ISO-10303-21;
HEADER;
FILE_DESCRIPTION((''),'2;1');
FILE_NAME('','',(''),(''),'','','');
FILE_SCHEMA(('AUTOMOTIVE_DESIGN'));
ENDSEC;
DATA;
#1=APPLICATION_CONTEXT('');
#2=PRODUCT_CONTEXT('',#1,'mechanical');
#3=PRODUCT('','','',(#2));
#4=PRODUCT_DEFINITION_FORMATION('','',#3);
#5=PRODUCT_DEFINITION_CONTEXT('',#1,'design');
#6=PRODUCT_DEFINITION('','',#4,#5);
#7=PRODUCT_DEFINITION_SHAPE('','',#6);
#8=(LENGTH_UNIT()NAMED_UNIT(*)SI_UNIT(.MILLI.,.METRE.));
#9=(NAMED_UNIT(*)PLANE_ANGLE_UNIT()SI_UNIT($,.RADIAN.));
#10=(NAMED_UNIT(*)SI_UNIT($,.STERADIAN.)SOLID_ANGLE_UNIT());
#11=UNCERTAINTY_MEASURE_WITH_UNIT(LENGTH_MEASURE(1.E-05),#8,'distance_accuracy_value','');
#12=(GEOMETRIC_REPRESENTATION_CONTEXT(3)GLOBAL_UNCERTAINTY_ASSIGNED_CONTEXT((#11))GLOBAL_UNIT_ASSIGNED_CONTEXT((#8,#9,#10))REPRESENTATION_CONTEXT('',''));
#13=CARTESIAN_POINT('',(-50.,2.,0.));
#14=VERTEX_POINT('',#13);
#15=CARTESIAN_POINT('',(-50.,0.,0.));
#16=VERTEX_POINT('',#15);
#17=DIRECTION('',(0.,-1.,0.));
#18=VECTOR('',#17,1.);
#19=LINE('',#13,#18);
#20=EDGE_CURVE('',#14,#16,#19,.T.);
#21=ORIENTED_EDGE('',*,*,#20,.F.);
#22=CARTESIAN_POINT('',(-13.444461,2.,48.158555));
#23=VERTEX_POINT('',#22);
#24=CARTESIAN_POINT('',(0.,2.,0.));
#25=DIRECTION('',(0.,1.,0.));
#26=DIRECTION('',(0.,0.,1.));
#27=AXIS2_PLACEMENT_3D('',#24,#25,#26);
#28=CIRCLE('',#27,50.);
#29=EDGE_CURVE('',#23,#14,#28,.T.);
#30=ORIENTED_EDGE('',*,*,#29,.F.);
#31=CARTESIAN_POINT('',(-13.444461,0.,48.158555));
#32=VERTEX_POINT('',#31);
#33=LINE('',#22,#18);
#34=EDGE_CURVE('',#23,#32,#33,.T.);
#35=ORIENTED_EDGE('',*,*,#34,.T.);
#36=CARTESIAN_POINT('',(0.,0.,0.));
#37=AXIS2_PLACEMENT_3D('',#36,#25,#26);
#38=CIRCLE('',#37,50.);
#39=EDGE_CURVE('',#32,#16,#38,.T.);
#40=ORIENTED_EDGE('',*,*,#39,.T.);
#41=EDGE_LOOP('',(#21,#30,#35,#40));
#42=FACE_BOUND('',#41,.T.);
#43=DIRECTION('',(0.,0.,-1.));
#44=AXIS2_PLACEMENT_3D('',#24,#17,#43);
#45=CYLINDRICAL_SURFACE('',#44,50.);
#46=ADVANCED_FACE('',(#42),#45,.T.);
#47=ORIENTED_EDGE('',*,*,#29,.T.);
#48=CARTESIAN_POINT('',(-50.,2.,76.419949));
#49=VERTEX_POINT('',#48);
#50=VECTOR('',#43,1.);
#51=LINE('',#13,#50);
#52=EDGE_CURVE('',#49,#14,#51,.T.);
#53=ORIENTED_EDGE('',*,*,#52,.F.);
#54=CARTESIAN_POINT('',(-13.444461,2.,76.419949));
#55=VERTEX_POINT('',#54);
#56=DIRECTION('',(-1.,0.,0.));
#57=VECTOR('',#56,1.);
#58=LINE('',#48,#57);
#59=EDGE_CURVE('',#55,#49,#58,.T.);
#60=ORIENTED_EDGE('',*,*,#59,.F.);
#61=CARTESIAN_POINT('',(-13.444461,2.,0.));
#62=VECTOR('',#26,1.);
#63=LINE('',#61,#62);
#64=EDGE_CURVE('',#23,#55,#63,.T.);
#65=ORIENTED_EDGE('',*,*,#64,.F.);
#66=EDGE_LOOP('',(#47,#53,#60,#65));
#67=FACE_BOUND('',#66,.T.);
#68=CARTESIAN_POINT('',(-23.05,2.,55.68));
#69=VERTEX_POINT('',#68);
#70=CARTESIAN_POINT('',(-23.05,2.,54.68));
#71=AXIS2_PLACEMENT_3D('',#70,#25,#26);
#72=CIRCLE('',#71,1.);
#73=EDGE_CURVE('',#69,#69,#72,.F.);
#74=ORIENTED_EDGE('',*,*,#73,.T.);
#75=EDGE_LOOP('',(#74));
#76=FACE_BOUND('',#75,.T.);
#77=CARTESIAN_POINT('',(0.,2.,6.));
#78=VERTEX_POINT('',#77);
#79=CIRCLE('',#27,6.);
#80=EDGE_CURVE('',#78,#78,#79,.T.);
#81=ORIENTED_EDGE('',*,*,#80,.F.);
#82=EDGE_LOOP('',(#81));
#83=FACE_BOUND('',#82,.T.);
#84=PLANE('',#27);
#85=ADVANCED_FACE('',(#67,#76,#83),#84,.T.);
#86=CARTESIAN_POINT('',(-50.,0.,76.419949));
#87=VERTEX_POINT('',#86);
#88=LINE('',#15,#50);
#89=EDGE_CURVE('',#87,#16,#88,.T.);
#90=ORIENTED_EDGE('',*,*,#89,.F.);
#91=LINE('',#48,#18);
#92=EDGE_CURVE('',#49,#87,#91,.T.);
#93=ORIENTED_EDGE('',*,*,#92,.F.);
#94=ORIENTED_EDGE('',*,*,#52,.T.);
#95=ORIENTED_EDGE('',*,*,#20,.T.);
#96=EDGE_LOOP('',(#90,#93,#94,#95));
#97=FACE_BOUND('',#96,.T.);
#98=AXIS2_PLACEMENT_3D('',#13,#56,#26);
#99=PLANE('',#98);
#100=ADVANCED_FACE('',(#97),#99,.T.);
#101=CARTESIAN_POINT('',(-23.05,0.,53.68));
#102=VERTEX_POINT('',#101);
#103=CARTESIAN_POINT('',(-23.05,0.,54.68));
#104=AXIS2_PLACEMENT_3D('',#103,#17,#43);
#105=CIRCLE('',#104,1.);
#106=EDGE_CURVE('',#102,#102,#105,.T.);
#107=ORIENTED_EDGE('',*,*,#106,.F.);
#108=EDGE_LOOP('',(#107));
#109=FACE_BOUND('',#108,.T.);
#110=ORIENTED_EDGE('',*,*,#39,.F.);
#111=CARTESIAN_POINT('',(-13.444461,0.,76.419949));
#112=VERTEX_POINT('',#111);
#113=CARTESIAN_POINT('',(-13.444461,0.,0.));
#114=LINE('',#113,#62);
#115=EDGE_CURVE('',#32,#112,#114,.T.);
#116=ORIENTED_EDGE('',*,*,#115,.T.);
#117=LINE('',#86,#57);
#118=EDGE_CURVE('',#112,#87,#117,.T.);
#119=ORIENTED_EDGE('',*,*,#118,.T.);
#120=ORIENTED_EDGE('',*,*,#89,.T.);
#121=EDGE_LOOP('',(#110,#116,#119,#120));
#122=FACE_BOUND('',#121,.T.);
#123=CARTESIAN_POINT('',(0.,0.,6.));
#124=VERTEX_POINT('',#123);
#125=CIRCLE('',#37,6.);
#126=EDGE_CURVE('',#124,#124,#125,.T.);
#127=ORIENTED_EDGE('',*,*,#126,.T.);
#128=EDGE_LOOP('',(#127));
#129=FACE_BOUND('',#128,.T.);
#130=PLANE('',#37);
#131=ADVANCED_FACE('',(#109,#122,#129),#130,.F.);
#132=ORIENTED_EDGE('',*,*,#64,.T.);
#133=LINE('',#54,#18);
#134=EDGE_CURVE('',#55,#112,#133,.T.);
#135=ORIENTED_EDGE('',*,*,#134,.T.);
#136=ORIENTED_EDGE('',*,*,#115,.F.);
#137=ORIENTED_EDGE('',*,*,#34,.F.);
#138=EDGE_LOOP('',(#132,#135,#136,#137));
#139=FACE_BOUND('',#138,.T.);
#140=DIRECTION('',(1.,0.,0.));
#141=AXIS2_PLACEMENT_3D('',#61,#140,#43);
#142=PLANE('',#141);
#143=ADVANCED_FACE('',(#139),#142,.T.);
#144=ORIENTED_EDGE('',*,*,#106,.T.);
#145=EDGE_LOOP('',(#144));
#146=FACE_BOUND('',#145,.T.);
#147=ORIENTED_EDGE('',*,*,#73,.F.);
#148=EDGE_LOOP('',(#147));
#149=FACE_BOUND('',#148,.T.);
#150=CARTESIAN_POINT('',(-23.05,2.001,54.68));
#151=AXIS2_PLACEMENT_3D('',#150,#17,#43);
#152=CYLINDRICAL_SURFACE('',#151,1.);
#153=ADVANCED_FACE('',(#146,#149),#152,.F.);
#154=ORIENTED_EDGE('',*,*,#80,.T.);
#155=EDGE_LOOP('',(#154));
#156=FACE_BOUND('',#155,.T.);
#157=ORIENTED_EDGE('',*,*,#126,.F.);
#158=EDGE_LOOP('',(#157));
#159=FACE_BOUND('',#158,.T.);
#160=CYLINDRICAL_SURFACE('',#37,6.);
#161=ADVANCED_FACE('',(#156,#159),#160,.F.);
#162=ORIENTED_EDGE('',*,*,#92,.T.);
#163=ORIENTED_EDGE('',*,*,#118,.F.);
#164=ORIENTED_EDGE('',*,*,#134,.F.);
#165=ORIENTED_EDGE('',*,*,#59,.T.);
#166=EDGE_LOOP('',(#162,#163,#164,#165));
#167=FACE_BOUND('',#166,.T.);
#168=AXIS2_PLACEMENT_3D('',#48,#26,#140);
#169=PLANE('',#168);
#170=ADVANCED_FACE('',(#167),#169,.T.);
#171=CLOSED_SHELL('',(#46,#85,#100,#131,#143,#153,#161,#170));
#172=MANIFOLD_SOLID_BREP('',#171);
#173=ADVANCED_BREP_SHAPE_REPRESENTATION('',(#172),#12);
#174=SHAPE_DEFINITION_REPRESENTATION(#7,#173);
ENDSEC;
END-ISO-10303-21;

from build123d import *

# Parameters (mm, degrees)
SKETCH1_R           = 50
BOSS_EXTRUDE1_DEPTH = 2
SKETCH2_R           = 6
CUT_EXTRUDE1_DEPTH  = 2
SKETCH3_W           = 36.555538841
SKETCH3_H           = 76.419948839
BOSS_EXTRUDE2_DEPTH = 2
CUT_EXTRUDE2_REACH  = 93.346
SKETCH8_R           = 1


with BuildPart() as part:
    # Sketch1 → Boss-Extrude1 (new body)
    with BuildSketch(Plane(origin=(0, 0, 0), x_dir=(1, 0, 0), z_dir=(0, 1, 0))):
        with Locations(Location((0, 0, 0), (0, 0, 270))):
            Circle(SKETCH1_R)
    extrude(amount=BOSS_EXTRUDE1_DEPTH)

    # Sketch2 → Cut-Extrude1 (cut)
    with BuildSketch(Plane(origin=(0, 2, 0), x_dir=(1, 0, 0), z_dir=(0, 1, 0))):
        with Locations(Location((0, 0, 0), (0, 0, 270))):
            Circle(SKETCH2_R)
    extrude(amount=-CUT_EXTRUDE1_DEPTH, mode=Mode.SUBTRACT)

    # Sketch3 → Boss-Extrude2 (add, through all)
    with BuildSketch(Plane.XZ):
        with Locations((-31.722230579, 38.209974419)):
            Rectangle(SKETCH3_W, SKETCH3_H)
    extrude(amount=-BOSS_EXTRUDE2_DEPTH)

    # Sketch8 → Cut-Extrude2 (cut, up to next)
    with BuildSketch(Plane.XZ, mode=Mode.PRIVATE) as cut_extrude2_sk1:
        with Locations(Location((-23.05, 54.68, 0), (0, 0, 270))):
            Circle(SKETCH8_R)
    cut_extrude2_tool1 = extrude(cut_extrude2_sk1.sketch, amount=-CUT_EXTRUDE2_REACH, mode=Mode.PRIVATE) & part.part
    add(cut_extrude2_tool1.solids().sort_by_distance((-23.05, 0, 54.68))[0], mode=Mode.SUBTRACT)


solid = part.part
